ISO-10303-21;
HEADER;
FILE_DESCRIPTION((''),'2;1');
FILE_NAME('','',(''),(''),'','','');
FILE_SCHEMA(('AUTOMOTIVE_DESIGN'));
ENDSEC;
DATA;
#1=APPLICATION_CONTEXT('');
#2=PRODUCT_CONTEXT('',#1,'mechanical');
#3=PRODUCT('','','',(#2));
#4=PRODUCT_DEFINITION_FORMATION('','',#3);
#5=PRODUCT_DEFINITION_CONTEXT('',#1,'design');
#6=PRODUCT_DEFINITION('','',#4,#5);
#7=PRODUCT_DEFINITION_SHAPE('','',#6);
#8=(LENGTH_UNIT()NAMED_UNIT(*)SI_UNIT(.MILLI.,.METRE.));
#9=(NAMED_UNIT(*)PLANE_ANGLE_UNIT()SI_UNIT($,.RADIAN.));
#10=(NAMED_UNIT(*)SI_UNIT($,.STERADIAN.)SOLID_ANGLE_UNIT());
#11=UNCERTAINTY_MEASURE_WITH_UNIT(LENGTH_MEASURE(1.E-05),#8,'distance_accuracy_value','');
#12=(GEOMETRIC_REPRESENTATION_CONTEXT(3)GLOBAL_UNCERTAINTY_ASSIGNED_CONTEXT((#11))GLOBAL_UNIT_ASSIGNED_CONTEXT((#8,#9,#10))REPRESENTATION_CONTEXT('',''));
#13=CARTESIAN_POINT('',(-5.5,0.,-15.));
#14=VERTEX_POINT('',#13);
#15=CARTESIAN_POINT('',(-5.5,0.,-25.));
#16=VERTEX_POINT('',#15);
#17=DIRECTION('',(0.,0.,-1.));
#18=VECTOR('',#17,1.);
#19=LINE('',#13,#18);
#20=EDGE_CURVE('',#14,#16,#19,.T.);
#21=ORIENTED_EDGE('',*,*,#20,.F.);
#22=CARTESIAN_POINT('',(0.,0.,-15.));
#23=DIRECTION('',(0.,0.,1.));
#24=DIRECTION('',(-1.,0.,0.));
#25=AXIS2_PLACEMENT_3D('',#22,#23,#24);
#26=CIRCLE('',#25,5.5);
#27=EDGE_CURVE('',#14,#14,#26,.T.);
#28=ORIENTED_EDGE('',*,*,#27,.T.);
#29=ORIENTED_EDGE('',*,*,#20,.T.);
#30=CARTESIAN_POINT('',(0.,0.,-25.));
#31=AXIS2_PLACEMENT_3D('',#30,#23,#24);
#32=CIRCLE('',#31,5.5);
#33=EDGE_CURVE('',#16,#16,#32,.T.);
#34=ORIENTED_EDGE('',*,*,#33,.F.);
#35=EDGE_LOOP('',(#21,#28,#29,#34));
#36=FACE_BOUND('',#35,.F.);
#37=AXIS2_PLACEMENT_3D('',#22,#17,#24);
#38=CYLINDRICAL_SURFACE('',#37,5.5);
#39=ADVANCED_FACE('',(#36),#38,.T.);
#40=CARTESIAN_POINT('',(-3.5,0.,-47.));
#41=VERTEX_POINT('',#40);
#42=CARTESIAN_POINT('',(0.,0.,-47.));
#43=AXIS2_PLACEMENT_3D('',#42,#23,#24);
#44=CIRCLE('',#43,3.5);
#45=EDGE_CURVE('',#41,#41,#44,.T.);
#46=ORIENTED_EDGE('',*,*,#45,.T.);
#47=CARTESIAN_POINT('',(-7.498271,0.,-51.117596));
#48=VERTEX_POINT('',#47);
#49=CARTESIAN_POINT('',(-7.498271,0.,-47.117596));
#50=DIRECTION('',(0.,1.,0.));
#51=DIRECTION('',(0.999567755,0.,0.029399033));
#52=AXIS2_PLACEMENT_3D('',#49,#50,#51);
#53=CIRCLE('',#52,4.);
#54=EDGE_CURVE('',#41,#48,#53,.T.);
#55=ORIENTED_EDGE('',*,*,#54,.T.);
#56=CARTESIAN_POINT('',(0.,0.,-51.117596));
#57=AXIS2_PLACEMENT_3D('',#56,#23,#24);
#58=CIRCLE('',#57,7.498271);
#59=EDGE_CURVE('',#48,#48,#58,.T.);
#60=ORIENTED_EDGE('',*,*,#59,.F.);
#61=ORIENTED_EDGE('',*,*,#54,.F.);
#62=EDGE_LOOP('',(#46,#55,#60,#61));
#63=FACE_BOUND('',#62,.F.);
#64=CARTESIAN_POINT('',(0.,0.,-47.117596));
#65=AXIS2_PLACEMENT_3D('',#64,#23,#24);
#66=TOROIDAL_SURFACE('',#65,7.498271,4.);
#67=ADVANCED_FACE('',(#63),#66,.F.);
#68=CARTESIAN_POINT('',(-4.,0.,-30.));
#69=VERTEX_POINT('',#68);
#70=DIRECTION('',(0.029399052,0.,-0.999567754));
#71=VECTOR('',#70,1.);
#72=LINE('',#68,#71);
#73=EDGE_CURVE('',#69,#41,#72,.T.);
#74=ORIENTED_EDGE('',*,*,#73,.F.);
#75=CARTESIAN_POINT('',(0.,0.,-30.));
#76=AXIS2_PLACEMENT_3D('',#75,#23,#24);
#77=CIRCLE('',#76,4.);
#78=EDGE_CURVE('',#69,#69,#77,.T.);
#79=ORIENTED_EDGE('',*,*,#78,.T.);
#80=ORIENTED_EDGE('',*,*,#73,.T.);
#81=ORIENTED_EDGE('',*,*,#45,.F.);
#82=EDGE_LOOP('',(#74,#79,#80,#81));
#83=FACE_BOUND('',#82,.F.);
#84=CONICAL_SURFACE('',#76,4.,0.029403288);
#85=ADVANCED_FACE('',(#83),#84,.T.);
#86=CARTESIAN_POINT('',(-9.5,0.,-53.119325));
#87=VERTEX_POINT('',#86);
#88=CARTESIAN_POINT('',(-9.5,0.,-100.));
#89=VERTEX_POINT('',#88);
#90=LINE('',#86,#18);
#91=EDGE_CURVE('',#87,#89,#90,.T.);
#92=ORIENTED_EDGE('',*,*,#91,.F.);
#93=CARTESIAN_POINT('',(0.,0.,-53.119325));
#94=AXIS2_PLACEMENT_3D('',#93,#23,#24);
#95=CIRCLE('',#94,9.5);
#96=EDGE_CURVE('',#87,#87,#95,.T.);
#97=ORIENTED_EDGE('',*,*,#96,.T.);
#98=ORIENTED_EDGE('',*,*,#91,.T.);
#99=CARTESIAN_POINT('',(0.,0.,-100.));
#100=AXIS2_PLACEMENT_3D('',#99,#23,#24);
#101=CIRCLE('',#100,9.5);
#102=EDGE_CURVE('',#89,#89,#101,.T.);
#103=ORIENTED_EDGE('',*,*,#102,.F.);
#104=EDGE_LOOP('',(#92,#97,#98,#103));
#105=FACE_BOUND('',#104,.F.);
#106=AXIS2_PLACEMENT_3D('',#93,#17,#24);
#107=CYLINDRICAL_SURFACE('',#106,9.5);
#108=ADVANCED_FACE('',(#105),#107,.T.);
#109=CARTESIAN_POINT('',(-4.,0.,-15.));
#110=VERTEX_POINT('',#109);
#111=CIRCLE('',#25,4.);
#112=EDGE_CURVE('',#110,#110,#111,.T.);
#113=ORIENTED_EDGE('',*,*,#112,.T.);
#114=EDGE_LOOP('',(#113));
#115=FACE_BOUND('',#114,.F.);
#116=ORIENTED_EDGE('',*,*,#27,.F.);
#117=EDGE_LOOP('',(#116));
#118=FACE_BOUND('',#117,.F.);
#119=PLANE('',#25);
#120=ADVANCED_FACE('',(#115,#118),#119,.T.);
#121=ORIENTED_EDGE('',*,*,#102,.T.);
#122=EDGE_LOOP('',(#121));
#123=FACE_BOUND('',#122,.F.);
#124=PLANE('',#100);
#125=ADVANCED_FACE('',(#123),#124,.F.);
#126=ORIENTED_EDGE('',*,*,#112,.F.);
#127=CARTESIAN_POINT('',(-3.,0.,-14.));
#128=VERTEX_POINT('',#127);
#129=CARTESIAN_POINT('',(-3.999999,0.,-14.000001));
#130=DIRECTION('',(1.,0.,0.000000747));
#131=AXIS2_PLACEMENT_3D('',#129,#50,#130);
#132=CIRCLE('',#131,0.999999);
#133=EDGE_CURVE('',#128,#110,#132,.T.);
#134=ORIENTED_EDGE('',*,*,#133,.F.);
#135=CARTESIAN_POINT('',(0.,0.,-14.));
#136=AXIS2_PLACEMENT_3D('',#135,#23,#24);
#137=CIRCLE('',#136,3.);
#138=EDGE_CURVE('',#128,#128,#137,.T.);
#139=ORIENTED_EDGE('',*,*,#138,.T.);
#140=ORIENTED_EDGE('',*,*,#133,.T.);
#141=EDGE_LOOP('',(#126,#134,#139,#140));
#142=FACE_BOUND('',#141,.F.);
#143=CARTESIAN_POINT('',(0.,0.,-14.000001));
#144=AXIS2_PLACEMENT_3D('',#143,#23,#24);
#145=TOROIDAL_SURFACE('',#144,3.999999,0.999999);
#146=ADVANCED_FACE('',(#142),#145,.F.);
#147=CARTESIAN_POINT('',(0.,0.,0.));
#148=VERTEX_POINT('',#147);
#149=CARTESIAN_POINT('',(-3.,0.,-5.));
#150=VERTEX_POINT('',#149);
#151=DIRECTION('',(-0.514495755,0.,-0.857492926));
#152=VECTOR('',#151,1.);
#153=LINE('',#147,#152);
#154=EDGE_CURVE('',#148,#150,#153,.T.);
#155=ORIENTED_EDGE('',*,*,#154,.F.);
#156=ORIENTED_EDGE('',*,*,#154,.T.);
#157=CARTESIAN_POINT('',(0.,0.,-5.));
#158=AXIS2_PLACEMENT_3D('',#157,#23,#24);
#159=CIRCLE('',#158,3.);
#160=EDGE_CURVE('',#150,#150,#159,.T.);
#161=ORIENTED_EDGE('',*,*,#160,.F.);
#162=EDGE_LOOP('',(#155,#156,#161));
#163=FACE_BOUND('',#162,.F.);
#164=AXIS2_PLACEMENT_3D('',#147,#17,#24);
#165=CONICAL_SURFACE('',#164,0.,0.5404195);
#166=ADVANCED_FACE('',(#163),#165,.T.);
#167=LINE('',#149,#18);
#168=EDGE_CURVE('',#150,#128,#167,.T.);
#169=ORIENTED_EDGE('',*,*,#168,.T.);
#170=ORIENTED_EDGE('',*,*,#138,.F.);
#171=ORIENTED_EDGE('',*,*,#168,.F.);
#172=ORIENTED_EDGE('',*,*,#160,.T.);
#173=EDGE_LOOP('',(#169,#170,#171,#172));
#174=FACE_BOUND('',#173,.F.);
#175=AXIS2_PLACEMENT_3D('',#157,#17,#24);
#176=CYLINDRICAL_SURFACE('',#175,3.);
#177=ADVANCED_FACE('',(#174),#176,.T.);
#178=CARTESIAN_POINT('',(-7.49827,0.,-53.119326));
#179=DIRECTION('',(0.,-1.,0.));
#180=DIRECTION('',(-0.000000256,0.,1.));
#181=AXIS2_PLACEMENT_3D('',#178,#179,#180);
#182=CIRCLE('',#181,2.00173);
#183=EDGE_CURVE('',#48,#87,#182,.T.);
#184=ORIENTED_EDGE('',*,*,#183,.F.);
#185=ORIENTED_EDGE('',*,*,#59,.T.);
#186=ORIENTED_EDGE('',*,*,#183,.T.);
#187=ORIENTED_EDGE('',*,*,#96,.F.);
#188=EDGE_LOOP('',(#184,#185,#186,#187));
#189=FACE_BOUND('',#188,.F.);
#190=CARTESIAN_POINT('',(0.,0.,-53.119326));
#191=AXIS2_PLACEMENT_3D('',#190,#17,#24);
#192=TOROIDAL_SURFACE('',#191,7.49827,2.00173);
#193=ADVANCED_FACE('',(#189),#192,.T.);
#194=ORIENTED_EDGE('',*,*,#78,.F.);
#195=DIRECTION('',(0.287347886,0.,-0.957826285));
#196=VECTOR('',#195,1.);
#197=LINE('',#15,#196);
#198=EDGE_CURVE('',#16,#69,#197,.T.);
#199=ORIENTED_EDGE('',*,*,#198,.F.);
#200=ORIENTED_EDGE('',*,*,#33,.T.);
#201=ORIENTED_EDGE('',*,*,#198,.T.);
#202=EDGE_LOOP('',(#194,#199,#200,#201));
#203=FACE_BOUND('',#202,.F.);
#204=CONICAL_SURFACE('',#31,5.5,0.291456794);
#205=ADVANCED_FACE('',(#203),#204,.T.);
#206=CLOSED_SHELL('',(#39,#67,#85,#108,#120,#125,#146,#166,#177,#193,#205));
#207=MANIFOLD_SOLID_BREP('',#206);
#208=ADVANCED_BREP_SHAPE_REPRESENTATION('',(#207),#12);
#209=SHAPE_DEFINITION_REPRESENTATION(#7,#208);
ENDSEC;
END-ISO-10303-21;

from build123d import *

# Parameters (mm, degrees)
F3_ANGLE = 90


with BuildPart() as f1:
    # F0 (on Front) → F1 (revolve)
    with BuildSketch(Plane.XZ):
        with BuildLine():
            Line((-100, 0), (0, 0))
            Line((0, 0), (-5, 3))
            Line((-5, 3), (-14, 3))
            ThreePointArc((-14, 3), (-14.707107, 3.292893), (-15, 4))
            Line((-15, 4), (-15, 5.5))
            Line((-15, 5.5), (-25, 5.5))
            Line((-25, 5.5), (-30, 4))
            Line((-30, 4), (-47, 3.5))
            ThreePointArc((-47, 3.5), (-49.904137, 4.628569), (-51.117596, 7.498271))
            ThreePointArc((-51.117596, 7.498271), (-51.703889, 8.913707), (-53.119325, 9.5))
            Line((-53.119325, 9.5), (-100, 9.5))
            Line((-100, 9.5), (-100, 0))
        make_face()
    revolve(axis=Axis((-50, 0, 0), (1, 0, 0)))


with BuildPart() as f1_1:
    # F3: moved
    add(f1.part.rotate(Axis((0, -54.375457, 0), (0, -1, 0)), F3_ANGLE))


solid = f1_1.part
